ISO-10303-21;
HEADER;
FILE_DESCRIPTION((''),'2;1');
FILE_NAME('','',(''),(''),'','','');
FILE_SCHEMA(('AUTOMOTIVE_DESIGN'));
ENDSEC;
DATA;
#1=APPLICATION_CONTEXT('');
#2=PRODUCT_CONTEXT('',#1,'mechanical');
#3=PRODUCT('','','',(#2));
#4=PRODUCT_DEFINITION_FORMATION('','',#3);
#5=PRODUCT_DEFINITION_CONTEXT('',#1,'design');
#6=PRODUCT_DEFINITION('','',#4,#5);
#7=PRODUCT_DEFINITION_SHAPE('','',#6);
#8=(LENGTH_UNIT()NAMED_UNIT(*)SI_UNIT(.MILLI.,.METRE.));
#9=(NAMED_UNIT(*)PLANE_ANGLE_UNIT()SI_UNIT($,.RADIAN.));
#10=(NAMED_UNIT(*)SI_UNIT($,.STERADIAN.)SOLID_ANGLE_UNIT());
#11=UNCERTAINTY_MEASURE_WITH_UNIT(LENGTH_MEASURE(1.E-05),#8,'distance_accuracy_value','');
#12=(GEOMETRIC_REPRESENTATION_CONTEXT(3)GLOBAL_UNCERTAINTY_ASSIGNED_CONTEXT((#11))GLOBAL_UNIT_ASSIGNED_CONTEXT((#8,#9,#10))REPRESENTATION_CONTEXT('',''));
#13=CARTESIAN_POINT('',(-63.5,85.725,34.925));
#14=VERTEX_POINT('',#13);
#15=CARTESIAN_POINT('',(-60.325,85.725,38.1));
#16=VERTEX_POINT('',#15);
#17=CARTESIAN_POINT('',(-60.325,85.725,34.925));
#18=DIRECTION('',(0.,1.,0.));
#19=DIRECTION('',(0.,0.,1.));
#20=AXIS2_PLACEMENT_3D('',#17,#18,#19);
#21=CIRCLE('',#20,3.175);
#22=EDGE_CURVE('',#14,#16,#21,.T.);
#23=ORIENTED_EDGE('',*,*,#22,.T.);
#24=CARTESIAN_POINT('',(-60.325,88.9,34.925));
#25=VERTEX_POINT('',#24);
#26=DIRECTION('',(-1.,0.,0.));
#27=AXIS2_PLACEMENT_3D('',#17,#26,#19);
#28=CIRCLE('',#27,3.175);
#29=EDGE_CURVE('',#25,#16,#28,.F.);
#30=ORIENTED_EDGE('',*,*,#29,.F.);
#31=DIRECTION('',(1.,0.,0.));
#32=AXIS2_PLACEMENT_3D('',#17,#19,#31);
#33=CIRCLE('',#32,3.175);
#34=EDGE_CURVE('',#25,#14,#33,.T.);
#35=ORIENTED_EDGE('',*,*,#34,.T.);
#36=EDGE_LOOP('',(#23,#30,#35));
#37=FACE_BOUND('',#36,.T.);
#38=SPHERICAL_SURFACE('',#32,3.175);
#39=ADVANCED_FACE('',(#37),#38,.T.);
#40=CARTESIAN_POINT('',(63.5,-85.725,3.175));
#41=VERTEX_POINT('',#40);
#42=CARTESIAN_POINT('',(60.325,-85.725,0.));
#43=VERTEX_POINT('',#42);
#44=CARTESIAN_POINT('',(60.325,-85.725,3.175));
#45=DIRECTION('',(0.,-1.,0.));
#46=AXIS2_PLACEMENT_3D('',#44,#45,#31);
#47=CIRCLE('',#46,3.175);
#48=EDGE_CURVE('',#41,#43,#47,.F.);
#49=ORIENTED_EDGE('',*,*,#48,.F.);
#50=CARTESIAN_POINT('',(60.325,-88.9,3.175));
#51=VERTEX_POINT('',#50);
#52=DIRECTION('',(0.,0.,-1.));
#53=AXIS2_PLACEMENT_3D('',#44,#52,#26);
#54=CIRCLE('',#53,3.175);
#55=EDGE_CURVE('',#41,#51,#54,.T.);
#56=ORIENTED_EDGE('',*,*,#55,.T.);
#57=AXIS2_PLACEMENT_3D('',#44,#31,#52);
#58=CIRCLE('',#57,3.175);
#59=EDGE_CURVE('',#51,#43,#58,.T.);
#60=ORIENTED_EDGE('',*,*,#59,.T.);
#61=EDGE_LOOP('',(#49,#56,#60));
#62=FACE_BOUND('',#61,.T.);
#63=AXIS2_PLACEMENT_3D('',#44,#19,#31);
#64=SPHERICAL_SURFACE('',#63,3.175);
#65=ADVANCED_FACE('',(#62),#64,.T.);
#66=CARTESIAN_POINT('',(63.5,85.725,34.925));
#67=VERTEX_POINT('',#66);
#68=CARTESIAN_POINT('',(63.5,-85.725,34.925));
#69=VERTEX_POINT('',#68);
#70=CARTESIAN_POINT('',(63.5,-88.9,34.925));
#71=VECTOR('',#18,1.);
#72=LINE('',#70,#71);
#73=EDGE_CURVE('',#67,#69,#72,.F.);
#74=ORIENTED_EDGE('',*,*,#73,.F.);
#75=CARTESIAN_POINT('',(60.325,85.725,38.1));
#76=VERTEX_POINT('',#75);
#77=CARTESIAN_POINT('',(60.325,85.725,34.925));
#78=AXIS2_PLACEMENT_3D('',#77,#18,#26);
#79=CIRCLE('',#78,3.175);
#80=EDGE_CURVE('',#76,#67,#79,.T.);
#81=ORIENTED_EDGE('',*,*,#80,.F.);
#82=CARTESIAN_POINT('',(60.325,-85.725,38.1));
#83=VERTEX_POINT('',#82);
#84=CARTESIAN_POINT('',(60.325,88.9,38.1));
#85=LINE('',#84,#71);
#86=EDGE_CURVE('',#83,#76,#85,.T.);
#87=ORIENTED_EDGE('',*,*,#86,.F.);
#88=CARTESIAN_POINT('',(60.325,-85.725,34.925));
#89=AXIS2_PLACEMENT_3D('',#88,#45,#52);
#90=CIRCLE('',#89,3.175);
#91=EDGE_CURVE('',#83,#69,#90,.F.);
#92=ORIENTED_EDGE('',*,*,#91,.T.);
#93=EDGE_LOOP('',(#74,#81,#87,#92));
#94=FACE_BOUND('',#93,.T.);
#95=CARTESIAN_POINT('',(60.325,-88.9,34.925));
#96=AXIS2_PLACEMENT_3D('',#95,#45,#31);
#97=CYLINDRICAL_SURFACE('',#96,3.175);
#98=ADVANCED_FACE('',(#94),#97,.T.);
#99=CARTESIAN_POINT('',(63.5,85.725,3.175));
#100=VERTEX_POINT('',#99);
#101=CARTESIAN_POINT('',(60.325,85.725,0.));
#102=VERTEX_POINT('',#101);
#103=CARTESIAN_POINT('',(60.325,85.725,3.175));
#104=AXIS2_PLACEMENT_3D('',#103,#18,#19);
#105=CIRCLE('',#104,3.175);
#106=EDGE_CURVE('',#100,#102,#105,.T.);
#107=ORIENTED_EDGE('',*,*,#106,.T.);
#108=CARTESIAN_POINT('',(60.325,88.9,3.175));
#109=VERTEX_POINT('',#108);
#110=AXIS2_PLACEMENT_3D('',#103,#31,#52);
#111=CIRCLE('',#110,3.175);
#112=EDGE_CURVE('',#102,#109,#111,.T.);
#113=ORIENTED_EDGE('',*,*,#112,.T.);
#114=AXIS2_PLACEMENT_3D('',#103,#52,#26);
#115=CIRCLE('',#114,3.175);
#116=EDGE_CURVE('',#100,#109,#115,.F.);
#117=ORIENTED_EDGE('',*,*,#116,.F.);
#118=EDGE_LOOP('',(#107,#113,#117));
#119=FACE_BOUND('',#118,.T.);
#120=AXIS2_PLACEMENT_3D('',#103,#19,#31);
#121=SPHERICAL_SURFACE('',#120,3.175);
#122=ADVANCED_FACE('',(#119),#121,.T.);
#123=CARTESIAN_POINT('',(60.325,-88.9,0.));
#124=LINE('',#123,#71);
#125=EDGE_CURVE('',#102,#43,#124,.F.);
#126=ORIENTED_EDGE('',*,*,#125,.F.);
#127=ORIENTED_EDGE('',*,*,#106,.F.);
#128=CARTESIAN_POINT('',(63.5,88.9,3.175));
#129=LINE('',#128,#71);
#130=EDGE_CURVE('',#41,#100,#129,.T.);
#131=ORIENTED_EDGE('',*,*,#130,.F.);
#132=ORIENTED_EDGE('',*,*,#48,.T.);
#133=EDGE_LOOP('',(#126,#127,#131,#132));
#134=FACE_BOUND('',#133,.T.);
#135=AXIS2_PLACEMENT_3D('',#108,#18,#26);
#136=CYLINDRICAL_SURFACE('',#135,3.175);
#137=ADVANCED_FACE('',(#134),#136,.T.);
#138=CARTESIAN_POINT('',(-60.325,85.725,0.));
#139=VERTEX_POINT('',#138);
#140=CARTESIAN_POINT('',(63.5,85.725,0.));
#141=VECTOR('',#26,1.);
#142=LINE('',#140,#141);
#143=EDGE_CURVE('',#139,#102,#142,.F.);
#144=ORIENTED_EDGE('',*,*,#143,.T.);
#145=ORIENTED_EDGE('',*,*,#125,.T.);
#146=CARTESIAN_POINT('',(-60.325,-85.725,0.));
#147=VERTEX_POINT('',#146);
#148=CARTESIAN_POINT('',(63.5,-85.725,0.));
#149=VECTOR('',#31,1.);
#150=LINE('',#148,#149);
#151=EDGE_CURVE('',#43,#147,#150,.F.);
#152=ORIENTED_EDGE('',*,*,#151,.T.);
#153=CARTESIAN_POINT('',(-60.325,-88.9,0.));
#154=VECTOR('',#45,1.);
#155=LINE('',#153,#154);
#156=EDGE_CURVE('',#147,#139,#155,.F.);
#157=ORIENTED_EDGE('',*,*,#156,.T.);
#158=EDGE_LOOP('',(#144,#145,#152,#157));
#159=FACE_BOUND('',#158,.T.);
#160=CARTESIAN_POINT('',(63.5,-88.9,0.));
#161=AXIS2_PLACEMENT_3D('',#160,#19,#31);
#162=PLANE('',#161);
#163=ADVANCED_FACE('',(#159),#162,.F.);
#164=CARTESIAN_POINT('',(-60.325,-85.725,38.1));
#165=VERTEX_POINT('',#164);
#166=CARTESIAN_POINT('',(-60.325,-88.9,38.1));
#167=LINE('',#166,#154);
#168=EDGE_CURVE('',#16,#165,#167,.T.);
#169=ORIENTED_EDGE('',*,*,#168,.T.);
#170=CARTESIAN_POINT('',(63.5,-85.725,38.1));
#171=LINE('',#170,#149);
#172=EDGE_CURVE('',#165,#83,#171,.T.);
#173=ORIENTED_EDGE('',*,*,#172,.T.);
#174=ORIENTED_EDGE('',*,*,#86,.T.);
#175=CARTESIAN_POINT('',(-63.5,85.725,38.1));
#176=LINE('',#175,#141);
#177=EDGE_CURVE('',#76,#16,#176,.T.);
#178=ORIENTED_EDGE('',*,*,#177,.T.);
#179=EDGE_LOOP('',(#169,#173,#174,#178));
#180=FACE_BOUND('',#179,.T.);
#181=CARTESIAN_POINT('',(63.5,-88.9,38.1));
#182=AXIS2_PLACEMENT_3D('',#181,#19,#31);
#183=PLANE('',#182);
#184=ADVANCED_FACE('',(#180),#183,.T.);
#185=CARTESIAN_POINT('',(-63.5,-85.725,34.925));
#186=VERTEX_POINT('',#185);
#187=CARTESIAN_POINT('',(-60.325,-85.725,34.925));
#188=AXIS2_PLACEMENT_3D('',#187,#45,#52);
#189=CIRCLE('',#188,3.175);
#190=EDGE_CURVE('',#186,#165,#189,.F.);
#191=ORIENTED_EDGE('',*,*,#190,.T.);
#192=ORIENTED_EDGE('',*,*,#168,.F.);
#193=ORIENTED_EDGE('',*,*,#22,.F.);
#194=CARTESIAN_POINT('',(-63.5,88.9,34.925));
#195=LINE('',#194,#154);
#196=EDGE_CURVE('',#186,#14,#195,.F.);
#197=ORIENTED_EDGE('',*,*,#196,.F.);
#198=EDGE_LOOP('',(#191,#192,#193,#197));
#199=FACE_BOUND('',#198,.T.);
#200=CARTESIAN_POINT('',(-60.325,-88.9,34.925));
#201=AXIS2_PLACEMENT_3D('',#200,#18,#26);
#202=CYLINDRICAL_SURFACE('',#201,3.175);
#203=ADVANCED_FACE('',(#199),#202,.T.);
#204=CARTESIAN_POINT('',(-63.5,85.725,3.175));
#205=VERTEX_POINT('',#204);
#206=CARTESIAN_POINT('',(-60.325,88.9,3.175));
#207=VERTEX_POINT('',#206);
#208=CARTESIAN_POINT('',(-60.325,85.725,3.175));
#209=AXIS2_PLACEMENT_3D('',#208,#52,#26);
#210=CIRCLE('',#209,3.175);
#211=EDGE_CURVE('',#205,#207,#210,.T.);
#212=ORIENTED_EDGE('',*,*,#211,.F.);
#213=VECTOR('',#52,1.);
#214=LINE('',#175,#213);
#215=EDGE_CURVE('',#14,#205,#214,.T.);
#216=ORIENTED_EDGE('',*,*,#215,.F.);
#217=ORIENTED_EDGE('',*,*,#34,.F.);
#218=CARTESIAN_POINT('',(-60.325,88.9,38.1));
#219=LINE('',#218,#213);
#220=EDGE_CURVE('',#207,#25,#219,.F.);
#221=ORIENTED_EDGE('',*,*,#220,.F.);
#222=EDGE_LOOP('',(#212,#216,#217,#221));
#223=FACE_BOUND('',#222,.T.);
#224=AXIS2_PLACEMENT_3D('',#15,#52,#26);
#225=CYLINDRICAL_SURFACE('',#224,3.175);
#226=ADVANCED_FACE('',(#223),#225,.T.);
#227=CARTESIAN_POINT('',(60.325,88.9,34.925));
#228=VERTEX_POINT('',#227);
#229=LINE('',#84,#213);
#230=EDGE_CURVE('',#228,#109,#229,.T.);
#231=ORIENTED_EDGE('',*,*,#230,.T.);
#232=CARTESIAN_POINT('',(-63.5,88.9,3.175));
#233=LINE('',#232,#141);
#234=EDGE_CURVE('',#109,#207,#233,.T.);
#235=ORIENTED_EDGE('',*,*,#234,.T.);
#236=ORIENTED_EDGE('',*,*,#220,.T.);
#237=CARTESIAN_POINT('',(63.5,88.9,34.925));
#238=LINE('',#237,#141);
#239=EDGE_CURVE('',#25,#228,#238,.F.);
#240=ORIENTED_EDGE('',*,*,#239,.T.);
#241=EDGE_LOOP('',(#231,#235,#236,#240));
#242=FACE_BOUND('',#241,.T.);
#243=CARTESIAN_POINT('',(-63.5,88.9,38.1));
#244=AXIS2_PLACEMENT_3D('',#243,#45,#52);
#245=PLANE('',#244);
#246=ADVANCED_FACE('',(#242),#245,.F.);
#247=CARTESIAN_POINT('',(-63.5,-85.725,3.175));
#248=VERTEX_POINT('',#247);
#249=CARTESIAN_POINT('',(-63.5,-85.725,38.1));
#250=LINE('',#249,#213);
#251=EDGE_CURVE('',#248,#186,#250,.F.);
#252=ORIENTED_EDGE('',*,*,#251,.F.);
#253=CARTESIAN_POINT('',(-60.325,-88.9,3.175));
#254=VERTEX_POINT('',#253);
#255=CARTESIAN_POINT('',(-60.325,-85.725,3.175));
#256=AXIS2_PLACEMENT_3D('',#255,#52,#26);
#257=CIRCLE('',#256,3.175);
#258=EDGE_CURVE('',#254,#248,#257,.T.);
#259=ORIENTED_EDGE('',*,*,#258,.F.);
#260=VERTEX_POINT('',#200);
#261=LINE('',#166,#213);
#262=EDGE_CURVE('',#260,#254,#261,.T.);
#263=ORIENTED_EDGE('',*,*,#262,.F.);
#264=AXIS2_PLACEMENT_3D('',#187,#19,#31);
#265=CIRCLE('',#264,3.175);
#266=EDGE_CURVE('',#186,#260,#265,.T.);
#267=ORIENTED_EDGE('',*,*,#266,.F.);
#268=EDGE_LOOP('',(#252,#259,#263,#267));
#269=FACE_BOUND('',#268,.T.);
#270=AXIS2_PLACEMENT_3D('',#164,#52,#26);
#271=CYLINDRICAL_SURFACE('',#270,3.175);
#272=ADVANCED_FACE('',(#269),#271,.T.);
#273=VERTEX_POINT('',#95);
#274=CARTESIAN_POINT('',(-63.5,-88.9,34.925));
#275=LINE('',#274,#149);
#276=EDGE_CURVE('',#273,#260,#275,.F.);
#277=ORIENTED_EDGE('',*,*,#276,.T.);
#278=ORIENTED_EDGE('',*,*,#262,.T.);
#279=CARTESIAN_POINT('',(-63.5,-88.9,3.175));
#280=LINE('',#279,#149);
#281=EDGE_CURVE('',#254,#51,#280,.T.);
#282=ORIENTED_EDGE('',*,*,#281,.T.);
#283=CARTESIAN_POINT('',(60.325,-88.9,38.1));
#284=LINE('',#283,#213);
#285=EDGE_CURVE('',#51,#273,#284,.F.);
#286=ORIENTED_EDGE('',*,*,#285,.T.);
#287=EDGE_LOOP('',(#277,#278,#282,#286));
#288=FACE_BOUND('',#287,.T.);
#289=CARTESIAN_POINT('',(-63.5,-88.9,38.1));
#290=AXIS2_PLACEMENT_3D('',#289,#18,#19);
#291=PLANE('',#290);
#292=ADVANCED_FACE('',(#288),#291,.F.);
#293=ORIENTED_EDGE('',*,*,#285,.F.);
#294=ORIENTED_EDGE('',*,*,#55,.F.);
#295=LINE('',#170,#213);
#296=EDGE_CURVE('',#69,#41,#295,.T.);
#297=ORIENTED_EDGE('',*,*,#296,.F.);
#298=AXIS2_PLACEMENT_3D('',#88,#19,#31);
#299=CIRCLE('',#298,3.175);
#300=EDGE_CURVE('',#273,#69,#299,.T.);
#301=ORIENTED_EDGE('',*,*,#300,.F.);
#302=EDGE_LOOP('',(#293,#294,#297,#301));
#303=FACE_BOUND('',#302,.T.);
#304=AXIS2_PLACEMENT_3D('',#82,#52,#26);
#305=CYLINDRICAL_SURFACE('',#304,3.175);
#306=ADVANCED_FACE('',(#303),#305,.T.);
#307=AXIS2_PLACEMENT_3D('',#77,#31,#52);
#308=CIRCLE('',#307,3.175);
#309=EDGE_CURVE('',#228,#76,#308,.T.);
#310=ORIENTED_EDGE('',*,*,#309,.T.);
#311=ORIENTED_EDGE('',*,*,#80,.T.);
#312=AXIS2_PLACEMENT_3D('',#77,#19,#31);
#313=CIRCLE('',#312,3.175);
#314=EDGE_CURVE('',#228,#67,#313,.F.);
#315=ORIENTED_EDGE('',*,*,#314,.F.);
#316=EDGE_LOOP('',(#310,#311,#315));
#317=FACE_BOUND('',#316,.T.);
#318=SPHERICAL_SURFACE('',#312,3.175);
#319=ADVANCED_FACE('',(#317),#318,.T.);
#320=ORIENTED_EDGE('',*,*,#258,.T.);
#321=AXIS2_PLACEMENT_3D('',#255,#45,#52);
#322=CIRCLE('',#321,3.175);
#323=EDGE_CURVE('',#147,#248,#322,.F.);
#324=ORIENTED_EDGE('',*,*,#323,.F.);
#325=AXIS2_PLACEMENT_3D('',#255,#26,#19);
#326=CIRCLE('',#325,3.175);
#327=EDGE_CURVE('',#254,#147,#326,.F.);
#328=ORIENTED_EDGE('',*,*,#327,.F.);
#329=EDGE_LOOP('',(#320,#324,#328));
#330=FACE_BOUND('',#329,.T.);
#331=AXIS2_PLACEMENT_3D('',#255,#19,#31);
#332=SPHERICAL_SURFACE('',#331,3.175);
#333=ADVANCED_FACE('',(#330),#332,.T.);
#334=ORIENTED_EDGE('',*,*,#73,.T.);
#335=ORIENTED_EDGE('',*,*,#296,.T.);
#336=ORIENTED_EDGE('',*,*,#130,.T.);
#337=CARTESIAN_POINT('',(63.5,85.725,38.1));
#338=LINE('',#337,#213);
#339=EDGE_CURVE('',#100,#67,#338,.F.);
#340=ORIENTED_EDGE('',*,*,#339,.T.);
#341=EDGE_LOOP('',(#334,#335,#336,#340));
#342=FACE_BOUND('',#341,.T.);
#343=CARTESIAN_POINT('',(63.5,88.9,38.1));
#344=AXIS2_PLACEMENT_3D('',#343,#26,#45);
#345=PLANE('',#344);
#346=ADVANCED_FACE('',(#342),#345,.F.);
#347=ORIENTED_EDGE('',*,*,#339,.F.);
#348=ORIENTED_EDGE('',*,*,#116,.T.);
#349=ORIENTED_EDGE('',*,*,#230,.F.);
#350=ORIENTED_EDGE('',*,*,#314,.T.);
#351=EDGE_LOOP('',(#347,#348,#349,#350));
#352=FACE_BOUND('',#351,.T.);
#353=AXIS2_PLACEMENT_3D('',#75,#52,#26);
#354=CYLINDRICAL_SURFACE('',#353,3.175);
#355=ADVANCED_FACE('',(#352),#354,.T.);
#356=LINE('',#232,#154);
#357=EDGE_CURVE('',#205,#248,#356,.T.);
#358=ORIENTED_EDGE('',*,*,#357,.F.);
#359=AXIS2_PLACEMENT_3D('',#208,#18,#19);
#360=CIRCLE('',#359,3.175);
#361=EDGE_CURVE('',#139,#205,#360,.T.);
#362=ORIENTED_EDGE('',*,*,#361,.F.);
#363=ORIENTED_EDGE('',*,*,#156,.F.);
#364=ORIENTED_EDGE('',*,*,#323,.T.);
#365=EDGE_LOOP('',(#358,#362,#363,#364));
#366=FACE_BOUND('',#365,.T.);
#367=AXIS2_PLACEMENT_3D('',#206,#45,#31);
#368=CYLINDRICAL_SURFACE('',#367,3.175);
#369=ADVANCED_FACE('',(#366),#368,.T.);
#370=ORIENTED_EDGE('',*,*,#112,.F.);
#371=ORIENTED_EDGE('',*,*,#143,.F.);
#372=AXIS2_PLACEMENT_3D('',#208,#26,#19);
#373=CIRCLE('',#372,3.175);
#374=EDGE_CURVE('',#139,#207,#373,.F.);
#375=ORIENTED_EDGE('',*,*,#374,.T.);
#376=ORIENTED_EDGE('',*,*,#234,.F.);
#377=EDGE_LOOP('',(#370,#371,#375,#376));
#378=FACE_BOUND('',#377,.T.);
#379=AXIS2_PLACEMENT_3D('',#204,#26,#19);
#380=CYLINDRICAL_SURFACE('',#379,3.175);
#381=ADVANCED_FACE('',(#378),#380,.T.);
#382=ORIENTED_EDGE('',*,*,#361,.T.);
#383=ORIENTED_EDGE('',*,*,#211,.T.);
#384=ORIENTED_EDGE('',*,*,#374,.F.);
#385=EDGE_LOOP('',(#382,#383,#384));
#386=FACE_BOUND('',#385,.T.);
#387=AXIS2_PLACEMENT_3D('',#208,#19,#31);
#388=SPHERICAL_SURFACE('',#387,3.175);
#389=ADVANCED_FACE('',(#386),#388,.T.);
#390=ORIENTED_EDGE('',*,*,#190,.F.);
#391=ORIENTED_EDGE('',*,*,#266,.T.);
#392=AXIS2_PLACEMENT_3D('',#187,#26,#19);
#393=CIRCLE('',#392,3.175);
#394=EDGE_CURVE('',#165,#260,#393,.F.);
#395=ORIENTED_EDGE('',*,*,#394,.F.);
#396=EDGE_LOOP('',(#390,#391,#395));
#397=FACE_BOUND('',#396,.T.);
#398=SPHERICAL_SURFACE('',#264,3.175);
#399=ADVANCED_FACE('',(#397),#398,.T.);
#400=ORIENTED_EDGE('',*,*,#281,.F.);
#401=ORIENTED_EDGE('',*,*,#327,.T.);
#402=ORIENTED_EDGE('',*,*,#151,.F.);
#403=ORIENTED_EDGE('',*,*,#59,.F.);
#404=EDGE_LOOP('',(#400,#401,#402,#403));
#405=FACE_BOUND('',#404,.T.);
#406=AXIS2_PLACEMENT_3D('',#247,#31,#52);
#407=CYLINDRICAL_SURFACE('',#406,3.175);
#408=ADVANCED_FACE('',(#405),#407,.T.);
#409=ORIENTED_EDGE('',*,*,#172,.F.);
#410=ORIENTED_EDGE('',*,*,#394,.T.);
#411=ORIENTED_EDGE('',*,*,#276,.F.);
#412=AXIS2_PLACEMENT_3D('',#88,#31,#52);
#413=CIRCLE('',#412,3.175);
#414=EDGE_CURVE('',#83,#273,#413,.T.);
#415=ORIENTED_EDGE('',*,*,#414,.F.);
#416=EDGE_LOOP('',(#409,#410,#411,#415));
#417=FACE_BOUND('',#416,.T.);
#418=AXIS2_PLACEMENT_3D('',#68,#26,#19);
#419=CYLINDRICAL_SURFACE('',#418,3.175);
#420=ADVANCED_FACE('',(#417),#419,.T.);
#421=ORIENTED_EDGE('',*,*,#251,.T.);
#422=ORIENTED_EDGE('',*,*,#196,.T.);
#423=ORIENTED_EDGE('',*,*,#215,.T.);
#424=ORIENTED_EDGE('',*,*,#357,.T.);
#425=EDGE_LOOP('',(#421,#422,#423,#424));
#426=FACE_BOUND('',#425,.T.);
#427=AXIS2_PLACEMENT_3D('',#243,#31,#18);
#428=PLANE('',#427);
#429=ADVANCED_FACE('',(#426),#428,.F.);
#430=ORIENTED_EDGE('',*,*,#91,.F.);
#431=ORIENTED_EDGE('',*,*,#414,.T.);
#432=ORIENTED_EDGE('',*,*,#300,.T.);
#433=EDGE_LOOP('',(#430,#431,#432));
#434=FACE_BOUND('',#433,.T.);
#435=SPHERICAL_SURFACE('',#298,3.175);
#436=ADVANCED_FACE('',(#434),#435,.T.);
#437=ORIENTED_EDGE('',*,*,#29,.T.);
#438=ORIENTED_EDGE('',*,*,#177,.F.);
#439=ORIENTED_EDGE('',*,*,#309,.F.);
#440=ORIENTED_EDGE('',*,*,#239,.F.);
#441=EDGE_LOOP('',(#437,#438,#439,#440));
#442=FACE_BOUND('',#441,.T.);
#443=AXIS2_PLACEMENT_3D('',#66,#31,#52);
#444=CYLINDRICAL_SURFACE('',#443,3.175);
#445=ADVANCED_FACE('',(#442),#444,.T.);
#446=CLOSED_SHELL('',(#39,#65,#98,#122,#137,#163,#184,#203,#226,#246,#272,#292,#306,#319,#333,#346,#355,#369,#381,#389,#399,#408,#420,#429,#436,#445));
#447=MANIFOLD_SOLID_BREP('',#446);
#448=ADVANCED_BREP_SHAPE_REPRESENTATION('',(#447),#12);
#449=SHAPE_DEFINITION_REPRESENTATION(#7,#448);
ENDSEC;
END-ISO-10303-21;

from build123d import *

# Parameters (mm, degrees)
SKETCH1_W           = 127
SKETCH1_H           = 177.8
BOSS_EXTRUDE1_DEPTH = 38.1
FILLET1_R           = 3.175


with BuildPart() as part:
    # Sketch1 → Boss-Extrude1 (new body)
    with BuildSketch(Plane.XY):
        Rectangle(SKETCH1_W, SKETCH1_H)
    extrude(amount=BOSS_EXTRUDE1_DEPTH)

    # Fillet1
    fillet1_edges = [part.edges().sort_by_distance(p)[0] for p in [
        (-63.5, 0, 38.1),
        (0, -88.9, 38.1),
        (63.5, 0, 38.1),
        (0, -88.9, 0),
        (-63.5, 0, 0),
        (0, 88.9, 0),
        (63.5, 0, 0),
        (0, 88.9, 38.1),
        (63.5, -88.9, 19.05),
        (-63.5, -88.9, 19.05),
        (-63.5, 88.9, 19.05),
        (63.5, 88.9, 19.05),
    ]]
    fillet(fillet1_edges, radius=FILLET1_R)


solid = part.part
